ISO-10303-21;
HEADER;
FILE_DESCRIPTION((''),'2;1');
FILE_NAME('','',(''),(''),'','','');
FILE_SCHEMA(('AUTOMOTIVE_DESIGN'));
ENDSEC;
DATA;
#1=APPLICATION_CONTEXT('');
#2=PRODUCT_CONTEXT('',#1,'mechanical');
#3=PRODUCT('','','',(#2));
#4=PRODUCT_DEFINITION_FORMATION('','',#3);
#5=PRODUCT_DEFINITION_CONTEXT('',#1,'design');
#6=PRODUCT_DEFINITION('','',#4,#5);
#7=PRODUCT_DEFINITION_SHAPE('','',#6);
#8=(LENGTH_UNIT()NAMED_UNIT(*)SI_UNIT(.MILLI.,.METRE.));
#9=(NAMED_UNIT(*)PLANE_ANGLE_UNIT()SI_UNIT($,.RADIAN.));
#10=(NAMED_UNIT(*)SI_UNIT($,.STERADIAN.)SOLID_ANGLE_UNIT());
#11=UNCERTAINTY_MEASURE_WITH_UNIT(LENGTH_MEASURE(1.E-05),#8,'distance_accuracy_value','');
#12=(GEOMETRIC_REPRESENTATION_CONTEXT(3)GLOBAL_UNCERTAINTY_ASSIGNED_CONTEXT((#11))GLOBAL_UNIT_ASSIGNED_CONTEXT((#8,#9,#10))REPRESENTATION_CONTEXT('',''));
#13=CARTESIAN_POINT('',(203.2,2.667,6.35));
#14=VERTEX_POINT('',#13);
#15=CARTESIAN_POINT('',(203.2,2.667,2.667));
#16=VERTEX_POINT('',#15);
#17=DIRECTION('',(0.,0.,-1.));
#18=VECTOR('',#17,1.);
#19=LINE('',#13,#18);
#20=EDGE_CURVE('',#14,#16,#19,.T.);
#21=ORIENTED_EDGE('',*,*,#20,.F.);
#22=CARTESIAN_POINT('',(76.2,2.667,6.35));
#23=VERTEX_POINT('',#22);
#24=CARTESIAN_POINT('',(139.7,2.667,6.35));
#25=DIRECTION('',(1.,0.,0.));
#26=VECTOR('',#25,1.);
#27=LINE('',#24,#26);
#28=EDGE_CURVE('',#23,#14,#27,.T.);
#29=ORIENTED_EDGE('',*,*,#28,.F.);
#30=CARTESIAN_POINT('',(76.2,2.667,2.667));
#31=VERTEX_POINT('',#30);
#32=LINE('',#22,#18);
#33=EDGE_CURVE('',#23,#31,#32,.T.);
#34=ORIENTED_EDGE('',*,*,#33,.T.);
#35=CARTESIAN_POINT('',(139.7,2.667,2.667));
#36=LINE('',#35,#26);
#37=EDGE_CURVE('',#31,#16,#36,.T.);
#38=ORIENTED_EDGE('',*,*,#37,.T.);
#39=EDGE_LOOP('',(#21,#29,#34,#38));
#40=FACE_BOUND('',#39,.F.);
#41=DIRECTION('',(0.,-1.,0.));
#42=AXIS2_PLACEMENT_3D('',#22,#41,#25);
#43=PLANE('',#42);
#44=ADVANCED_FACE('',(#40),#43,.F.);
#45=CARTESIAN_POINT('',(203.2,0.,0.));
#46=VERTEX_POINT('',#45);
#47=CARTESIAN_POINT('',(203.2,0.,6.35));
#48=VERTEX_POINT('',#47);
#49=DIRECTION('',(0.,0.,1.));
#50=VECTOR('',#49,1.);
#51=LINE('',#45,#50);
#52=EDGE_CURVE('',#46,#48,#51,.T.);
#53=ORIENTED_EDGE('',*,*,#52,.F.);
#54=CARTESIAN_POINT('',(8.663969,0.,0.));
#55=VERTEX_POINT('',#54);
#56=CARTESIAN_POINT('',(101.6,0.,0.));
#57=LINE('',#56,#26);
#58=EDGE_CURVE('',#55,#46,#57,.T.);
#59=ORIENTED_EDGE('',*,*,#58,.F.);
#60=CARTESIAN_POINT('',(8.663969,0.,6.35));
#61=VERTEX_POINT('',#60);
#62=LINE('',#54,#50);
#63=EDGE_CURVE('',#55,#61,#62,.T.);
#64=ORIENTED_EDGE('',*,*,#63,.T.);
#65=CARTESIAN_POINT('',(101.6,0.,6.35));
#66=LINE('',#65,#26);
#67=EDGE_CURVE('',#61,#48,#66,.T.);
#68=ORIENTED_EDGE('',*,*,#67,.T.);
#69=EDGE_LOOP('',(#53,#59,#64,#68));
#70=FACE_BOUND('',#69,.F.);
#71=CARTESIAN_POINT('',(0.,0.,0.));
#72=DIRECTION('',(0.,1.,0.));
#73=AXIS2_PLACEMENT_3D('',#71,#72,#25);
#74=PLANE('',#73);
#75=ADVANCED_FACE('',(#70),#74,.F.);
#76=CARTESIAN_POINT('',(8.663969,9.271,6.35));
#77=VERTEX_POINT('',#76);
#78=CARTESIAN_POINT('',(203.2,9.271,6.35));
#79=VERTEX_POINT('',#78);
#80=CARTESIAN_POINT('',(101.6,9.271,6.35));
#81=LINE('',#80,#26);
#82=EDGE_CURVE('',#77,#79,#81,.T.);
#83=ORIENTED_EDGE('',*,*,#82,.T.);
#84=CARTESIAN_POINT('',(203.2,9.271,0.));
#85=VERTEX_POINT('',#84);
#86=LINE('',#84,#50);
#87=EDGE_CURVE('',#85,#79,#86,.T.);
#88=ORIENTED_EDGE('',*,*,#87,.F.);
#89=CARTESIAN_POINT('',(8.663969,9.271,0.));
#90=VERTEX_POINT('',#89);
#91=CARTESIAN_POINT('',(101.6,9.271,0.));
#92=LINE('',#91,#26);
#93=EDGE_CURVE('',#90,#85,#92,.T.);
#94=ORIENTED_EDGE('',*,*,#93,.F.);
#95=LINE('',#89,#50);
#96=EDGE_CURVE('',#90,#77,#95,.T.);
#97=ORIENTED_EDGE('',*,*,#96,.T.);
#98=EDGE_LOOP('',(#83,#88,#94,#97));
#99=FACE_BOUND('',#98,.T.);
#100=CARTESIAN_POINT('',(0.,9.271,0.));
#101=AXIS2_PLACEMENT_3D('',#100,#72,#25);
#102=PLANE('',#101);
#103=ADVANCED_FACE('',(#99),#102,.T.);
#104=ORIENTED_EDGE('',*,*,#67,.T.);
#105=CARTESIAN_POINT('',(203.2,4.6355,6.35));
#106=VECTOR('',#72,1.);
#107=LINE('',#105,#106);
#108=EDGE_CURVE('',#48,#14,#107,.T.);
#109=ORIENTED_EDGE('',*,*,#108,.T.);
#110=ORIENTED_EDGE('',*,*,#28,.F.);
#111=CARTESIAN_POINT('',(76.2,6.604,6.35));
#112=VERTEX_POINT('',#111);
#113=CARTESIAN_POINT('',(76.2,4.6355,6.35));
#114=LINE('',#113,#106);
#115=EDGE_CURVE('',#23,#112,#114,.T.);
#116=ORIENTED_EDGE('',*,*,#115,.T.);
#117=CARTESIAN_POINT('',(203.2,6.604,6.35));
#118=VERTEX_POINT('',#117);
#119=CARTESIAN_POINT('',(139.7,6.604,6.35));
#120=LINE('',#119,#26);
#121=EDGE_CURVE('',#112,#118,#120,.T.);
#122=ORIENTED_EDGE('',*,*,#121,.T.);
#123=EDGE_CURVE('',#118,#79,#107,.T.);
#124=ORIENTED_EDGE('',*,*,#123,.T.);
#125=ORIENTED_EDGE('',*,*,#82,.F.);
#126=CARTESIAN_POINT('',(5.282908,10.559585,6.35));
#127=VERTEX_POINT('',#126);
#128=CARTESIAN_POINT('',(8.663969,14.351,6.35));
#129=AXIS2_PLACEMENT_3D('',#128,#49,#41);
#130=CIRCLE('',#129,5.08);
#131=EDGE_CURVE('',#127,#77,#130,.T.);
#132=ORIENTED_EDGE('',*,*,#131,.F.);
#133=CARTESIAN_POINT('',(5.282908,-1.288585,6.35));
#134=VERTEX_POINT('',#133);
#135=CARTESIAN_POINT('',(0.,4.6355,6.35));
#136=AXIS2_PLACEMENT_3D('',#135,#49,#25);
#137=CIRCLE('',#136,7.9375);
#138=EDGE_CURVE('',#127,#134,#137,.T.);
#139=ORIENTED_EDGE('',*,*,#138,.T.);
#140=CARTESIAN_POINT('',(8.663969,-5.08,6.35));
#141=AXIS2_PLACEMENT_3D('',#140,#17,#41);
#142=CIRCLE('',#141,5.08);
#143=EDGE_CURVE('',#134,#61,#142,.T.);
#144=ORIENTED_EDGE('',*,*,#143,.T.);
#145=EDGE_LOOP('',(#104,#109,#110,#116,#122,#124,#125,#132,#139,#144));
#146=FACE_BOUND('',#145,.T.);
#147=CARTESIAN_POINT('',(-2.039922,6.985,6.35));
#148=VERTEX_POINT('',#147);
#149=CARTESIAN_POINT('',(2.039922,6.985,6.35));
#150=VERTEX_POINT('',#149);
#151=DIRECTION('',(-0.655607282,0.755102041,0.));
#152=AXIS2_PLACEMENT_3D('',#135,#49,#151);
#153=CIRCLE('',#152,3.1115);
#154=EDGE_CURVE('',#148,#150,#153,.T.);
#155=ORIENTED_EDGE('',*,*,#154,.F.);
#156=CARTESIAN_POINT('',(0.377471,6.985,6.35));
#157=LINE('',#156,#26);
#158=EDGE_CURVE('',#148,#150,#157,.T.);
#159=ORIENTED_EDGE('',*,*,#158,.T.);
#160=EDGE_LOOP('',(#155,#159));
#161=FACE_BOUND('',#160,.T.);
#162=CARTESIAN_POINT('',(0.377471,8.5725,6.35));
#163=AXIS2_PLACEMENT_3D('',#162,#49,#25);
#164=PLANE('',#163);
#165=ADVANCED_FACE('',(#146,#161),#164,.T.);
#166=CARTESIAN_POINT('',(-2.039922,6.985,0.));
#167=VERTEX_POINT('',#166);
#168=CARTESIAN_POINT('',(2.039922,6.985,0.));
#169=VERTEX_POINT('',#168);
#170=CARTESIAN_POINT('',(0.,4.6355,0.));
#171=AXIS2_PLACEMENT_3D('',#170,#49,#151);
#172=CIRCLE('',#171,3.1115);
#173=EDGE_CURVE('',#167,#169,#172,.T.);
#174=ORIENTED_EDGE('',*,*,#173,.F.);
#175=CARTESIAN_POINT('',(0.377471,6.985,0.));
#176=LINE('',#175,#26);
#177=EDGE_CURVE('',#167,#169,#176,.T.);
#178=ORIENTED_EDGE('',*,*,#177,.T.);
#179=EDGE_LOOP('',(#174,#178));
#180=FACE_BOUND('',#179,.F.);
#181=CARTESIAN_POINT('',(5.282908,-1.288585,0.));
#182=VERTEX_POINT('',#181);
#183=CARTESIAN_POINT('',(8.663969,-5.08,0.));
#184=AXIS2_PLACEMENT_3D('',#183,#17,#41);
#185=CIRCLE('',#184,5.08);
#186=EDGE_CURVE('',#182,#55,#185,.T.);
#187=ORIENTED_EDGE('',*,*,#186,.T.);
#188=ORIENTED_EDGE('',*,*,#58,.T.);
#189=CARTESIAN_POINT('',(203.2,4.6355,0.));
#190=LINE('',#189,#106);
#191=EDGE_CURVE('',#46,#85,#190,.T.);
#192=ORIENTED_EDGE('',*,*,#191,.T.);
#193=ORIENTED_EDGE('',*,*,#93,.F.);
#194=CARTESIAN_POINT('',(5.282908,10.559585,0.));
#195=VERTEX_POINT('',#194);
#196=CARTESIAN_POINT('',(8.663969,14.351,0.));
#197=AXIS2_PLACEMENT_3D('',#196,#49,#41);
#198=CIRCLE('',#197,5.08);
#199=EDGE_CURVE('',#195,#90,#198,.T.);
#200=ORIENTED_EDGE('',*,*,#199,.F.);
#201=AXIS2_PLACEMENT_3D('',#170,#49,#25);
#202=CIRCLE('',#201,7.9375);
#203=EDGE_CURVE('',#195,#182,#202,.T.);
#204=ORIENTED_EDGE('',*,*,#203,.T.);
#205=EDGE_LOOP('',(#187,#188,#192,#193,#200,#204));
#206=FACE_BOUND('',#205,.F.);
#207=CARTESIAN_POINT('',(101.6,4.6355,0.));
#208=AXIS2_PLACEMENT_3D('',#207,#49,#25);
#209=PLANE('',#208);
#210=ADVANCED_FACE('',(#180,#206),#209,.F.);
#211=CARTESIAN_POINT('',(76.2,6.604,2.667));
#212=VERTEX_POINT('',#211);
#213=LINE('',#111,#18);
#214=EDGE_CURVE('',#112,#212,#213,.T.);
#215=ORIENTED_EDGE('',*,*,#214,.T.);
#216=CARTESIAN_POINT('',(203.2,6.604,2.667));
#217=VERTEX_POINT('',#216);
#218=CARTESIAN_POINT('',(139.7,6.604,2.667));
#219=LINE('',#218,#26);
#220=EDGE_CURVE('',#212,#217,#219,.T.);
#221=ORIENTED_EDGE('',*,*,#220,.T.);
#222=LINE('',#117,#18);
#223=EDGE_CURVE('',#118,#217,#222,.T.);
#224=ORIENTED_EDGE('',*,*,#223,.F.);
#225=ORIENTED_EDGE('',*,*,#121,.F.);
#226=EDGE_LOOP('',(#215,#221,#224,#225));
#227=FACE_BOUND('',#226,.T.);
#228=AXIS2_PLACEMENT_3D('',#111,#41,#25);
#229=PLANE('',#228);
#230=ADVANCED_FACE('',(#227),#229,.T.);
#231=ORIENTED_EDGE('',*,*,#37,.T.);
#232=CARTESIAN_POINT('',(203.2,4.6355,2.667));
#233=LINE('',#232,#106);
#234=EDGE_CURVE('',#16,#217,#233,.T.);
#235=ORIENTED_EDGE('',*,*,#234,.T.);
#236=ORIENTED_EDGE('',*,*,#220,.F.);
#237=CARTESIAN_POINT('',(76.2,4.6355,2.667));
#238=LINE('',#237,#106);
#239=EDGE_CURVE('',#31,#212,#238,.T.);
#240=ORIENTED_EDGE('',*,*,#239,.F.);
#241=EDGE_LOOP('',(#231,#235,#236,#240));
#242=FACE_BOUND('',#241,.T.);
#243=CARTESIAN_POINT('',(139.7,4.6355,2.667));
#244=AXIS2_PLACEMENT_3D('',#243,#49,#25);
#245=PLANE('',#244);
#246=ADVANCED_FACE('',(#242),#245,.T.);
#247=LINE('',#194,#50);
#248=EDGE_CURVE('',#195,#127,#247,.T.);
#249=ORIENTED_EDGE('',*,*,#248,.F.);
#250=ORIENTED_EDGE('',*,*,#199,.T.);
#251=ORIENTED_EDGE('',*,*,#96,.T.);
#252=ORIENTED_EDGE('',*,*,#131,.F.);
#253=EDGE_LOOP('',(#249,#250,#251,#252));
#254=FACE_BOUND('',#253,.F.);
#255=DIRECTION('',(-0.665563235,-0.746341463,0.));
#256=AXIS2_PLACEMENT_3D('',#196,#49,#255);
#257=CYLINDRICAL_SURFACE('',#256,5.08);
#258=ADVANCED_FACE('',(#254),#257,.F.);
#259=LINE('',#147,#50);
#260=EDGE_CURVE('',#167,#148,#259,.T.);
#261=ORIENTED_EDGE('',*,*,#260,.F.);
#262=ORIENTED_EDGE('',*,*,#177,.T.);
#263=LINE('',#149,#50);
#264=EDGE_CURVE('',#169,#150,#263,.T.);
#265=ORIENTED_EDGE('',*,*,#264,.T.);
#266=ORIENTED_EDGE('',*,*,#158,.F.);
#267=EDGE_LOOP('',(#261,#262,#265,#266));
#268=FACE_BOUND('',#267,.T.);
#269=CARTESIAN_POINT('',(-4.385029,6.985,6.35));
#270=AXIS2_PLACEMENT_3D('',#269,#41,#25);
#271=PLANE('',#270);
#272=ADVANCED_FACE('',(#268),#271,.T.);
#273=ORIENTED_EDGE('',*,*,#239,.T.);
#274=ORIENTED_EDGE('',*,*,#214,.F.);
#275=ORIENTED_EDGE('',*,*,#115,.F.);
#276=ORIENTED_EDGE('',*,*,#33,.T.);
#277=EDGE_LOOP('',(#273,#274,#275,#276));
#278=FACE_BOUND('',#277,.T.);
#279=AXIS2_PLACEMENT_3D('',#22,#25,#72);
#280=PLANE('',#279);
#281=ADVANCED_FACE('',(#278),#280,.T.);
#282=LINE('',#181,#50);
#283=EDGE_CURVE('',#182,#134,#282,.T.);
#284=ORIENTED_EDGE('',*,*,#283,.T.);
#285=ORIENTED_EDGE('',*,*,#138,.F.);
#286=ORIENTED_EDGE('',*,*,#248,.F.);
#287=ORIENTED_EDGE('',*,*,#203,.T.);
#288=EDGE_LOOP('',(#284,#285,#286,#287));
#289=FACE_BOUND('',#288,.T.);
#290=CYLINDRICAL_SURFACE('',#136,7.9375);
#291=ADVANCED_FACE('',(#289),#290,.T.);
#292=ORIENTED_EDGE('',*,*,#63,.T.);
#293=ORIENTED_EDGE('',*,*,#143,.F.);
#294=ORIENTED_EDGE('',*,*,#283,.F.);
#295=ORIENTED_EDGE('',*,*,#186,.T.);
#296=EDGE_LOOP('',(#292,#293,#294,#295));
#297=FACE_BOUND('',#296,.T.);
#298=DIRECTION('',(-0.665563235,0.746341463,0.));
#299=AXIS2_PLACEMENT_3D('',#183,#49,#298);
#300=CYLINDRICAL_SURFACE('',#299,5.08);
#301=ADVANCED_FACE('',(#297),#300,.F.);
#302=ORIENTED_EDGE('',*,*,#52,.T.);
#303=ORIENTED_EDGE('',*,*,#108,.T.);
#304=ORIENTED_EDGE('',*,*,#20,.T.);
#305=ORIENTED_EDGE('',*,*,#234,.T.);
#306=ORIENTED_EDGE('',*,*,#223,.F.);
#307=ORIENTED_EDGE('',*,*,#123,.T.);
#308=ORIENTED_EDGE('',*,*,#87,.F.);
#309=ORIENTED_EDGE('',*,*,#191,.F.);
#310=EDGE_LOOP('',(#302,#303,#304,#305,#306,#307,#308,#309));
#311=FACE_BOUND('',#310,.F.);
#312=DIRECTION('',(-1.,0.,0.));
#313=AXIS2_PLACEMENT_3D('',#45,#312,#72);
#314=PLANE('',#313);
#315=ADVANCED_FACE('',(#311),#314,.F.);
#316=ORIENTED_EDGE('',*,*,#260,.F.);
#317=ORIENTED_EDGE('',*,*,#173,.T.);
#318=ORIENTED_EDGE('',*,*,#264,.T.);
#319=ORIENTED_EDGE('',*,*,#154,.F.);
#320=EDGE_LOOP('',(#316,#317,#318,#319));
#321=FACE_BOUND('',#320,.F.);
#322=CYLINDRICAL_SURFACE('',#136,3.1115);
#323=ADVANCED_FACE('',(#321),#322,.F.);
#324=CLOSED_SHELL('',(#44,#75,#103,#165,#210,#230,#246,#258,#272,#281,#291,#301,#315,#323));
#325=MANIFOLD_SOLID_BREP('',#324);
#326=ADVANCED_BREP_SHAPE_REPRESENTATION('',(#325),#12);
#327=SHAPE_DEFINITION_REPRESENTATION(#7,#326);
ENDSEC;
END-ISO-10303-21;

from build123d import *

# Parameters (mm, degrees)
F0_W      = 203.2
F0_H      = 9.271
F1_DEPTH  = 6.35
F2_W      = 127
F2_H      = 3.937
F3_DEPTH  = 3.683
F4_R      = 7.9375
F5_DEPTH  = 6.35
F6_R      = 5.08
F7_R      = 3.1115
F8_DEPTH  = 6.351
F9_W      = 9.525
F9_H      = 3.175
F10_DEPTH = 6.35


with BuildPart() as f1:
    # F0 (on Top) → F1 (new body)
    with BuildSketch(Plane.XY):
        with Locations((101.6, 4.6355)):
            Rectangle(F0_W, F0_H)
    extrude(amount=F1_DEPTH)

    # F2 (on face) → F3 (cut)
    with BuildSketch(Plane.XY.offset(6.35)):
        with Locations((139.7, 4.6355)):
            Rectangle(F2_W, F2_H)
    extrude(amount=-F3_DEPTH, mode=Mode.SUBTRACT)

    # F4 (on face) → F5 (join, through all)
    with BuildSketch(Plane.XY.offset(6.35)):
        with Locations((0, 4.6355)):
            Circle(F4_R)
    extrude(amount=-F5_DEPTH)

    # F6
    f6_edges = [f1.edges().sort_by_distance(p)[0] for p in [
        (6.443295, 9.271, 3.175),
        (6.443295, 0, 3.175),
    ]]
    fillet(f6_edges, radius=F6_R)

    # F7 (on face) → F8 (cut, through all)
    with BuildSketch(Plane.XY.offset(6.35)):
        with Locations((0, 4.6355)):
            Circle(F7_R)
    extrude(amount=-F8_DEPTH, mode=Mode.SUBTRACT)

    # F9 (on face) → F10 (join, through all)
    with BuildSketch(Plane.XY.offset(6.35)):
        with Locations((0.377471, 8.5725)):
            Rectangle(F9_W, F9_H)
    extrude(amount=-F10_DEPTH)


solid = f1.part
